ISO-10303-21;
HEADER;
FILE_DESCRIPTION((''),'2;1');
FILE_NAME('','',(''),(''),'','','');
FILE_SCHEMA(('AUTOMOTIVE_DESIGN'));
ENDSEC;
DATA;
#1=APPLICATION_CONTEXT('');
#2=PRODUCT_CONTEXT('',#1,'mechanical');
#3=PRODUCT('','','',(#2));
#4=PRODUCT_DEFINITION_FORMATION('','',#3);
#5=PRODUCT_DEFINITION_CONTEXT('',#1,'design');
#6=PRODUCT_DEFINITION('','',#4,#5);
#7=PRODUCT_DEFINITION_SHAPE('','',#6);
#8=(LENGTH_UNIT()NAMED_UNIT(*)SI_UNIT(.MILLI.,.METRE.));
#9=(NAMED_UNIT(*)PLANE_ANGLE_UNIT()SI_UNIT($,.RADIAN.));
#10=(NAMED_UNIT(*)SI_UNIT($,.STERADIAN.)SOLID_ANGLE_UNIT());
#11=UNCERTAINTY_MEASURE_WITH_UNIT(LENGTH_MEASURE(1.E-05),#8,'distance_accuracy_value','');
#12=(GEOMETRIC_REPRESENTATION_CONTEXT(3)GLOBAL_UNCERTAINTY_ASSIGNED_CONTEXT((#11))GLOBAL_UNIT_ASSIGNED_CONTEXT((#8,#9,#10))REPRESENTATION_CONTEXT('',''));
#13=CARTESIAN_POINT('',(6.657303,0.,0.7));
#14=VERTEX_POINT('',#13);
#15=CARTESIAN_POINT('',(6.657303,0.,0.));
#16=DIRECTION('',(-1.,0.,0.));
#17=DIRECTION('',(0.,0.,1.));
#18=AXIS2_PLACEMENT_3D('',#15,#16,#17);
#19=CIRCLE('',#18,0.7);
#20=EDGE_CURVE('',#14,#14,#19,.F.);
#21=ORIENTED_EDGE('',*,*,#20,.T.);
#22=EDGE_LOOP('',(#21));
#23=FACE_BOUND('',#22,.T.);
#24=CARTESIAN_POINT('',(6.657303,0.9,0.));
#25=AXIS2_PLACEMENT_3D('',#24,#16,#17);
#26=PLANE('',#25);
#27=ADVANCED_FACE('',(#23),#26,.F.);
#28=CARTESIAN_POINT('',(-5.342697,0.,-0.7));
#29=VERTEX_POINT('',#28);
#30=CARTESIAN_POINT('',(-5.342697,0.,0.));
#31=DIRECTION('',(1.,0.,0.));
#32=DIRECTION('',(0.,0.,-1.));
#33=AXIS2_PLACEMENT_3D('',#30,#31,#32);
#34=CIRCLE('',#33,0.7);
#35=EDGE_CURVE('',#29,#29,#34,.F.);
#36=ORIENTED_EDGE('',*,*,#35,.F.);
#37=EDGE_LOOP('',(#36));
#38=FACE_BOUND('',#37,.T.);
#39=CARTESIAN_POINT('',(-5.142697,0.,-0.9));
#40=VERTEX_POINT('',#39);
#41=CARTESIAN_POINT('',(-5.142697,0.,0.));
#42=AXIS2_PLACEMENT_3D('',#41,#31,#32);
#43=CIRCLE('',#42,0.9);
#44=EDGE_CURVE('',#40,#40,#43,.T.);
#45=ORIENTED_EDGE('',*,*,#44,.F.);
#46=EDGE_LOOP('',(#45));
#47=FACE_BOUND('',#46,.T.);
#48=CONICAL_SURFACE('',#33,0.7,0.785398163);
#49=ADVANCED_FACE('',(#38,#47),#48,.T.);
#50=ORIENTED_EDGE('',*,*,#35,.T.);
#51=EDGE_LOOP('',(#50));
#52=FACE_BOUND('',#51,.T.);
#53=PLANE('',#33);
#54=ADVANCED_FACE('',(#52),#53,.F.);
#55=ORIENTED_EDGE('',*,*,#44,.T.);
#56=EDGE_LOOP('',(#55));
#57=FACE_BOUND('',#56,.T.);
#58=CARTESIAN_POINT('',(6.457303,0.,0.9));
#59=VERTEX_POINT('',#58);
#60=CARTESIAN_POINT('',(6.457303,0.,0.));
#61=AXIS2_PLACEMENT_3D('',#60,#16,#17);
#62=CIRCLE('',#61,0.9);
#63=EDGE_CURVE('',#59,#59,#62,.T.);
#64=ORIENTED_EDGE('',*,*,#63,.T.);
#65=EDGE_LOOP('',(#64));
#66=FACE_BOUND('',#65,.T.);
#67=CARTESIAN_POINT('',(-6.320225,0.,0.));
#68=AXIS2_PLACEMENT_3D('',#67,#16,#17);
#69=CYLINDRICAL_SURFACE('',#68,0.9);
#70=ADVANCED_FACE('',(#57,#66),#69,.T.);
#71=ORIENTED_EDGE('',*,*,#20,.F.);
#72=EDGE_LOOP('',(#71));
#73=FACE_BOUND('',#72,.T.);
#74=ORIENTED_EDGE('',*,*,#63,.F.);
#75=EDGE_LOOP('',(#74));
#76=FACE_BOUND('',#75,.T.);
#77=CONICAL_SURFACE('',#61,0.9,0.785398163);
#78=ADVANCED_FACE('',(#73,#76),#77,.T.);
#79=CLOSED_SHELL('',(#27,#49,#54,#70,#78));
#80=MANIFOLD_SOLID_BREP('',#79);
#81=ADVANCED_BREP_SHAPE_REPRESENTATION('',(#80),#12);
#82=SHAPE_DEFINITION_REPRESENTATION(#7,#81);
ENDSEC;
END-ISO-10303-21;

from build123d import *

# Parameters (mm, degrees)
SKETCH_1_W     = 12
SKETCH_1_H     = 0.9
CHAMFER_1_SIZE = 0.2


with BuildPart() as part:
    # 草图1 → 旋转1 (revolve)
    with BuildSketch(Plane.XY, mode=Mode.PRIVATE) as revolve_1_sk:
        with Locations((0.657303371, 0.45)):
            Rectangle(SKETCH_1_W, SKETCH_1_H)
    revolve(revolve_1_sk.sketch.rotate(Axis((-6.320224719, 0, 0), (1, 0, 0)), 90), axis=Axis((-6.320224719, 0, 0), (1, 0, 0)))

    # 倒角1
    chamfer_1_edges = [part.edges().sort_by_distance(p)[0] for p in [
        (6.657303371, 0, -0.9),
        (-5.342696629, 0, -0.9),
    ]]
    chamfer(chamfer_1_edges, length=CHAMFER_1_SIZE)


solid = part.part
